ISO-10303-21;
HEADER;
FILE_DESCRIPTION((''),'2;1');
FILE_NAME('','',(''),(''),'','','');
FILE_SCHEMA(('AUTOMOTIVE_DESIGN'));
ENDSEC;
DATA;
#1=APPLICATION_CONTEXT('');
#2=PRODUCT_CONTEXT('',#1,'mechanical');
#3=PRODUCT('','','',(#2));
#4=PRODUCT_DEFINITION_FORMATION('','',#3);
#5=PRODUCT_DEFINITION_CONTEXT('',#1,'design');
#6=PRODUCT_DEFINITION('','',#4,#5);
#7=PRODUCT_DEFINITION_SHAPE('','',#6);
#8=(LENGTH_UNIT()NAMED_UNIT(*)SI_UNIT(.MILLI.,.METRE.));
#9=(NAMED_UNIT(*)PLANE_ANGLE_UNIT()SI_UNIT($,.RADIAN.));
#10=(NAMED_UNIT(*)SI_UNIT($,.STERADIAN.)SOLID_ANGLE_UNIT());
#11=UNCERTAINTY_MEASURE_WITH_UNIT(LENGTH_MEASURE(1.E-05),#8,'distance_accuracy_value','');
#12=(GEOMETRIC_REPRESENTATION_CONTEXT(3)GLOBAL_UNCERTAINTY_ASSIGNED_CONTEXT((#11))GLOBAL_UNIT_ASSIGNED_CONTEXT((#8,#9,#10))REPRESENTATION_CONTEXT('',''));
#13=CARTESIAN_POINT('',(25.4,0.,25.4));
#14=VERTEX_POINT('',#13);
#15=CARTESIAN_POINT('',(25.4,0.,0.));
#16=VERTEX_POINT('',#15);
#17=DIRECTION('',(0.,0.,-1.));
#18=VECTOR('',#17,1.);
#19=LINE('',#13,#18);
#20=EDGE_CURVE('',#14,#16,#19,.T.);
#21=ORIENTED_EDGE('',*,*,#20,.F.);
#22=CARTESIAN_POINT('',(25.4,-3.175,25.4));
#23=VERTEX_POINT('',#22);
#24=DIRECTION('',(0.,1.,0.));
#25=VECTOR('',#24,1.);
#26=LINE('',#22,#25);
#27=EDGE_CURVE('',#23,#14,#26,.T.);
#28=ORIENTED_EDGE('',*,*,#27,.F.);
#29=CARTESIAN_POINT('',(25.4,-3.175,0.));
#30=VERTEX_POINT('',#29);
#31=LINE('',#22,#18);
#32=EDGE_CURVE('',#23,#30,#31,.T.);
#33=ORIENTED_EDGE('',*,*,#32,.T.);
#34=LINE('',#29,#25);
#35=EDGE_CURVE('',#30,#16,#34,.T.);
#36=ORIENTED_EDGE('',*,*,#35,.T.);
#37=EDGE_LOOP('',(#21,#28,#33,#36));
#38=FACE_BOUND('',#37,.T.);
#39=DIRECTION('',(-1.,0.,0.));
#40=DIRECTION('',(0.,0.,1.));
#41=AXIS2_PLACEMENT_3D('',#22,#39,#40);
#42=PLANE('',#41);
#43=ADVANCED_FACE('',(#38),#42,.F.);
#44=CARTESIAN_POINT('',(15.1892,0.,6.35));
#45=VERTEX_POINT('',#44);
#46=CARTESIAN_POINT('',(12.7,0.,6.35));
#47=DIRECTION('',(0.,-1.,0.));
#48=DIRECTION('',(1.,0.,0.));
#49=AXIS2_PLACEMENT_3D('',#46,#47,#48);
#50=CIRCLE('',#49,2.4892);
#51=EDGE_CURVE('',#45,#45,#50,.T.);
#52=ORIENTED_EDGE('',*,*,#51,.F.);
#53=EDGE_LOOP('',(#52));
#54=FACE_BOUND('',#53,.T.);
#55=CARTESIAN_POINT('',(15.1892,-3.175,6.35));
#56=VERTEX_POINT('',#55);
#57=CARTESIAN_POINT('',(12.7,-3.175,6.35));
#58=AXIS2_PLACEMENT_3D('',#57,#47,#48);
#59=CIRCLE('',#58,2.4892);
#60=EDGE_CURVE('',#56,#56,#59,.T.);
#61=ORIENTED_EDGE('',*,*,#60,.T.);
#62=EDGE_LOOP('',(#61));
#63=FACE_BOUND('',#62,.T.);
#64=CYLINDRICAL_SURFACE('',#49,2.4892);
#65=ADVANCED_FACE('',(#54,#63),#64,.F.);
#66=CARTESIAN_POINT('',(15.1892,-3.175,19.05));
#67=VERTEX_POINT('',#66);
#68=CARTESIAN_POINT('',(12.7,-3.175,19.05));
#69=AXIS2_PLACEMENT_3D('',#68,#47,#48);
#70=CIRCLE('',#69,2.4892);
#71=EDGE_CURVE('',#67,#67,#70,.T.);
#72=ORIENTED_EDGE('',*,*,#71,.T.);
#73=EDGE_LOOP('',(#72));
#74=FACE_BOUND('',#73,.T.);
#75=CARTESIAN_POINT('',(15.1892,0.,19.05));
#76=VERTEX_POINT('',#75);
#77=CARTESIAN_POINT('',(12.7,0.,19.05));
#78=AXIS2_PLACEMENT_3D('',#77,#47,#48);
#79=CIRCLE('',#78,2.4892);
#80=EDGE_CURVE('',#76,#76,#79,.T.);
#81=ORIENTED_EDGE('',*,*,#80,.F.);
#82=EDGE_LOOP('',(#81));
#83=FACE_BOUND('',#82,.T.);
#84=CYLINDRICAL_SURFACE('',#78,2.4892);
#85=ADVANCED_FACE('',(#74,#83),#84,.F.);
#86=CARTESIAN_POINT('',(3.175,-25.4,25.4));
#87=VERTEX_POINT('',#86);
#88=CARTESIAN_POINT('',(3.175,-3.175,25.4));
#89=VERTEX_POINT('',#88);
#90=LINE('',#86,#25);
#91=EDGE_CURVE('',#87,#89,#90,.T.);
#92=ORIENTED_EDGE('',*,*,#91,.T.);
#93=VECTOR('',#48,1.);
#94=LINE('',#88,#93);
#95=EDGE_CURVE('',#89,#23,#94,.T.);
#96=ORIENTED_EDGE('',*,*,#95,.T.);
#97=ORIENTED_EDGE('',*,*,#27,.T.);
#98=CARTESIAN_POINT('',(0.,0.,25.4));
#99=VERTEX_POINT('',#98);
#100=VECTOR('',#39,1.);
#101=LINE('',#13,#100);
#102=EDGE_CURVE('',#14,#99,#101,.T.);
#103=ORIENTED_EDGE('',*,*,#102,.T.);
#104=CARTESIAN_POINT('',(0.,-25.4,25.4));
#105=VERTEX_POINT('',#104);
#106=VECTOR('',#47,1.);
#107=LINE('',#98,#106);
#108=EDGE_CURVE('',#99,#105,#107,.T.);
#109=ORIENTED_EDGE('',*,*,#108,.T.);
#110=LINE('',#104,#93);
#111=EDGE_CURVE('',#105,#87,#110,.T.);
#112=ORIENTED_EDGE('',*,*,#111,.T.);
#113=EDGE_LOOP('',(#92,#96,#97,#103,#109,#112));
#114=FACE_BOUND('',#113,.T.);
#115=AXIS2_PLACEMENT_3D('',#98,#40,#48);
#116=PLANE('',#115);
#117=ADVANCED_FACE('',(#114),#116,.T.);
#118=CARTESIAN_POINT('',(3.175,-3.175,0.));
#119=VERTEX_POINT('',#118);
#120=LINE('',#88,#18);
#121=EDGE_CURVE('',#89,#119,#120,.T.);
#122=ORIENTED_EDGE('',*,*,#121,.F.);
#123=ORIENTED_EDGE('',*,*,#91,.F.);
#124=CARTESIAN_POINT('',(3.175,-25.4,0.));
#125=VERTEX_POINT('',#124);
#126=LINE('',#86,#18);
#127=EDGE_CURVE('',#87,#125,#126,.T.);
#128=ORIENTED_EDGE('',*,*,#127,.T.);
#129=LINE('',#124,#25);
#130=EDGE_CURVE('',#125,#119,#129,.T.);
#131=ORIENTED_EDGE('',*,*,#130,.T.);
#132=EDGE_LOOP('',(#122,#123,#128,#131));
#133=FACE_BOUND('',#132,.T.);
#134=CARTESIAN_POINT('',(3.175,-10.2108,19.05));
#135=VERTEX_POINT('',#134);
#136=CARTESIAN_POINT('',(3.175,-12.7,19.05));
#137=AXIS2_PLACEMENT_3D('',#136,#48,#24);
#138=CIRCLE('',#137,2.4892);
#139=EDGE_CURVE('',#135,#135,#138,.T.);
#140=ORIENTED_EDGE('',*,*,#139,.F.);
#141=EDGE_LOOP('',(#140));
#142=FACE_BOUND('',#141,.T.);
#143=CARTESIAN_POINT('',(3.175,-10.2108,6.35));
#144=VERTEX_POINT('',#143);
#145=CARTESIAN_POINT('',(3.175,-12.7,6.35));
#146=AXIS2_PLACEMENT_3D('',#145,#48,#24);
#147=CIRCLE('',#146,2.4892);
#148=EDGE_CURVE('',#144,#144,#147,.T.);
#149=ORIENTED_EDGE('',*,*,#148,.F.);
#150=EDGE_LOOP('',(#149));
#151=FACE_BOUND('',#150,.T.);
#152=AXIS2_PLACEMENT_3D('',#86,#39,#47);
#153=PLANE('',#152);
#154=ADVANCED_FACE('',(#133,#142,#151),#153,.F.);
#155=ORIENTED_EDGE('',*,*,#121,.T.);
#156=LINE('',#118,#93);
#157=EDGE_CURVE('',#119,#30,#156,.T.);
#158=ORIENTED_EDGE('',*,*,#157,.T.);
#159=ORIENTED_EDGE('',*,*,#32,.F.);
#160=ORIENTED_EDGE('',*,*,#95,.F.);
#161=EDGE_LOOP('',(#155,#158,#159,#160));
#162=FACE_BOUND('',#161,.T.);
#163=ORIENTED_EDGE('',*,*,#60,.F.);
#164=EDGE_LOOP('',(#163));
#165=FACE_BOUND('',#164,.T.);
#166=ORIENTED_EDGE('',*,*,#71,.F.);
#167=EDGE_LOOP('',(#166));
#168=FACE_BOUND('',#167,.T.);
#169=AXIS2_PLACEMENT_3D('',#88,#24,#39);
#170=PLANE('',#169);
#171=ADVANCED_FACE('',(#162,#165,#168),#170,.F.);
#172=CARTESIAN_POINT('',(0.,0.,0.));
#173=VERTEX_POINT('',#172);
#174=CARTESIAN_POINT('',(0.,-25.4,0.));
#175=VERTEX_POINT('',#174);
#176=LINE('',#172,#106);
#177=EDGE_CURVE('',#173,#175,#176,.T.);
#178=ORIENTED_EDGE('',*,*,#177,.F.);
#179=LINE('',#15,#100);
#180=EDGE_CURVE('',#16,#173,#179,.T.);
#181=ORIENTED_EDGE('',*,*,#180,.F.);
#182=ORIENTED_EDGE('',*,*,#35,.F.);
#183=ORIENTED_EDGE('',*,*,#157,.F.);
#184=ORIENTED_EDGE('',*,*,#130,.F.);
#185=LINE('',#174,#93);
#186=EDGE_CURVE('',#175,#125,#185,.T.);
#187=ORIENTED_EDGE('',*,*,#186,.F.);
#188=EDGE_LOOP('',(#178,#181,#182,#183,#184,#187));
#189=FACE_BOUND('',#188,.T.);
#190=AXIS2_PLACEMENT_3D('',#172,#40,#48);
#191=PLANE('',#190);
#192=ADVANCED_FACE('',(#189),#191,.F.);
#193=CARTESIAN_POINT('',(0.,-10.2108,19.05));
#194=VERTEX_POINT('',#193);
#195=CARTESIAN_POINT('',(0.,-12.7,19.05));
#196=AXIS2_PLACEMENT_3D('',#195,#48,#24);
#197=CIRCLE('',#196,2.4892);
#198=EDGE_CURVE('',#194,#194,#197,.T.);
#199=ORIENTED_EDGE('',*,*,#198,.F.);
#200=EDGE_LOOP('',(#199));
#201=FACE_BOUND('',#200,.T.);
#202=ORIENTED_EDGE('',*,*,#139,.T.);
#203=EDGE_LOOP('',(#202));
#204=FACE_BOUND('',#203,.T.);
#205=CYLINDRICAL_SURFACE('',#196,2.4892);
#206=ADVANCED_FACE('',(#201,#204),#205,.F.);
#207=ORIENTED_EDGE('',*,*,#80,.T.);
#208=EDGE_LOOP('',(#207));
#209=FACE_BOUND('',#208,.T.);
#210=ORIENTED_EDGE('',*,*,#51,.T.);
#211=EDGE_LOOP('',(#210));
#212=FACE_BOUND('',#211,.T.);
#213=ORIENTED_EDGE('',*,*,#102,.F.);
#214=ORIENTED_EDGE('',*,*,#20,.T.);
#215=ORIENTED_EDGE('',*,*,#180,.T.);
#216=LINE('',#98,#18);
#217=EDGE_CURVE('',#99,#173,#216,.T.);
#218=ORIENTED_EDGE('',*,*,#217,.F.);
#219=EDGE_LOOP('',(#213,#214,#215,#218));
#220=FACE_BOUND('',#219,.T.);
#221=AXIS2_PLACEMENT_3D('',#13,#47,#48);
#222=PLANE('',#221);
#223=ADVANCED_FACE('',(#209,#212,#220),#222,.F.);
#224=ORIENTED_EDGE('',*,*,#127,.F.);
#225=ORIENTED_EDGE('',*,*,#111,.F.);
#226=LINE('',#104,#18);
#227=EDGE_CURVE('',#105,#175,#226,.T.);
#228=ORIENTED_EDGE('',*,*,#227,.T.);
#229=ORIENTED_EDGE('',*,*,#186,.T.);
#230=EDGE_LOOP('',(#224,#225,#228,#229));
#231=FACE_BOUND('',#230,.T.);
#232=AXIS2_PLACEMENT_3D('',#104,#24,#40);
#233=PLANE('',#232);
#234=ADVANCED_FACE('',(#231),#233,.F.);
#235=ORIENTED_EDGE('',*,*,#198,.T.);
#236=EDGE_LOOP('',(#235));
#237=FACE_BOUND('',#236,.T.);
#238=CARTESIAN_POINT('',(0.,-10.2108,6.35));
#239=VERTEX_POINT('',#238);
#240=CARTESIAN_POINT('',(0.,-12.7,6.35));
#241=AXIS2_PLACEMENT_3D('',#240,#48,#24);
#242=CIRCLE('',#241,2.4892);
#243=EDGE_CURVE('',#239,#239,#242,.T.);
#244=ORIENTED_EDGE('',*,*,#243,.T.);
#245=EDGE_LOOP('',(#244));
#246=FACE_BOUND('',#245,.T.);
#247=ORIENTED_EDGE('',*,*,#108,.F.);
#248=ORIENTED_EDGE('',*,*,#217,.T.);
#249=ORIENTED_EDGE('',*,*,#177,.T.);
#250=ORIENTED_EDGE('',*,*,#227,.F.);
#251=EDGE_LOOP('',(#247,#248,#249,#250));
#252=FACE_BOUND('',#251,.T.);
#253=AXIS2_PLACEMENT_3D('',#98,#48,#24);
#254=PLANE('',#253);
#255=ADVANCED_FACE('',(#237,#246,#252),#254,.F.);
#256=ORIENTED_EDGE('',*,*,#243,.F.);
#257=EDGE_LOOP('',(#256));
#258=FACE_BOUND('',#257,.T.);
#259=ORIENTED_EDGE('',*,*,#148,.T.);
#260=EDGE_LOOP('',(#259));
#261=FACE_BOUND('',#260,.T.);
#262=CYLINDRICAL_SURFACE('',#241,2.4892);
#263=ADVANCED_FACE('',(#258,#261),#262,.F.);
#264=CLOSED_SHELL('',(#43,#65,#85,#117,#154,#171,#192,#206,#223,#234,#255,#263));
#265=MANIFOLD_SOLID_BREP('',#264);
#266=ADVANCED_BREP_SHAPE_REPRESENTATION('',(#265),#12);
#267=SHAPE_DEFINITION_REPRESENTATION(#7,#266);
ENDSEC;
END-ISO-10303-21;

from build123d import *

# Parameters (mm, degrees)
BOSS_EXTRUDE1_DEPTH = 25.4
SKETCH5_R           = 2.4892
CUT_EXTRUDE1_DEPTH  = 43.240627659
SKETCH6_R           = 2.4892
CUT_EXTRUDE2_DEPTH  = 43.240627659


with BuildPart() as part:
    # Sketch2 → Boss-Extrude1 (new body)
    with BuildSketch(Plane.XY):
        Polygon((0, 0), (0, -25.4), (3.175, -25.4), (3.175, -3.175), (25.4, -3.175), (25.4, 0), align=None)
    extrude(amount=BOSS_EXTRUDE1_DEPTH)

    # Sketch5 → Cut-Extrude1 (cut, through all)
    with BuildSketch(Plane(origin=(3.175, 0, 0), x_dir=(0, 0, -1), z_dir=(1, 0, 0))):
        with Locations(Location((-6.35, -12.7, 0), (0, 0, 90))):
            Circle(SKETCH5_R)
        with Locations(Location((-19.05, -12.7, 0), (0, 0, 90))):
            Circle(SKETCH5_R)
        with Locations((-31.75, -12.7)):
            Circle(SKETCH5_R)
        with Locations((-44.45, -12.7)):
            Circle(SKETCH5_R)
    extrude(amount=-CUT_EXTRUDE1_DEPTH, mode=Mode.SUBTRACT)

    # Sketch6 → Cut-Extrude2 (cut, through all)
    with BuildSketch(Plane.XZ.offset(3.175)):
        with Locations((12.7, 6.35)):
            Circle(SKETCH6_R)
        with Locations((12.7, 19.05)):
            Circle(SKETCH6_R)
        with Locations((12.7, 31.75)):
            Circle(SKETCH6_R)
        with Locations((12.7, 44.45)):
            Circle(SKETCH6_R)
    extrude(amount=-CUT_EXTRUDE2_DEPTH, mode=Mode.SUBTRACT)


solid = part.part
